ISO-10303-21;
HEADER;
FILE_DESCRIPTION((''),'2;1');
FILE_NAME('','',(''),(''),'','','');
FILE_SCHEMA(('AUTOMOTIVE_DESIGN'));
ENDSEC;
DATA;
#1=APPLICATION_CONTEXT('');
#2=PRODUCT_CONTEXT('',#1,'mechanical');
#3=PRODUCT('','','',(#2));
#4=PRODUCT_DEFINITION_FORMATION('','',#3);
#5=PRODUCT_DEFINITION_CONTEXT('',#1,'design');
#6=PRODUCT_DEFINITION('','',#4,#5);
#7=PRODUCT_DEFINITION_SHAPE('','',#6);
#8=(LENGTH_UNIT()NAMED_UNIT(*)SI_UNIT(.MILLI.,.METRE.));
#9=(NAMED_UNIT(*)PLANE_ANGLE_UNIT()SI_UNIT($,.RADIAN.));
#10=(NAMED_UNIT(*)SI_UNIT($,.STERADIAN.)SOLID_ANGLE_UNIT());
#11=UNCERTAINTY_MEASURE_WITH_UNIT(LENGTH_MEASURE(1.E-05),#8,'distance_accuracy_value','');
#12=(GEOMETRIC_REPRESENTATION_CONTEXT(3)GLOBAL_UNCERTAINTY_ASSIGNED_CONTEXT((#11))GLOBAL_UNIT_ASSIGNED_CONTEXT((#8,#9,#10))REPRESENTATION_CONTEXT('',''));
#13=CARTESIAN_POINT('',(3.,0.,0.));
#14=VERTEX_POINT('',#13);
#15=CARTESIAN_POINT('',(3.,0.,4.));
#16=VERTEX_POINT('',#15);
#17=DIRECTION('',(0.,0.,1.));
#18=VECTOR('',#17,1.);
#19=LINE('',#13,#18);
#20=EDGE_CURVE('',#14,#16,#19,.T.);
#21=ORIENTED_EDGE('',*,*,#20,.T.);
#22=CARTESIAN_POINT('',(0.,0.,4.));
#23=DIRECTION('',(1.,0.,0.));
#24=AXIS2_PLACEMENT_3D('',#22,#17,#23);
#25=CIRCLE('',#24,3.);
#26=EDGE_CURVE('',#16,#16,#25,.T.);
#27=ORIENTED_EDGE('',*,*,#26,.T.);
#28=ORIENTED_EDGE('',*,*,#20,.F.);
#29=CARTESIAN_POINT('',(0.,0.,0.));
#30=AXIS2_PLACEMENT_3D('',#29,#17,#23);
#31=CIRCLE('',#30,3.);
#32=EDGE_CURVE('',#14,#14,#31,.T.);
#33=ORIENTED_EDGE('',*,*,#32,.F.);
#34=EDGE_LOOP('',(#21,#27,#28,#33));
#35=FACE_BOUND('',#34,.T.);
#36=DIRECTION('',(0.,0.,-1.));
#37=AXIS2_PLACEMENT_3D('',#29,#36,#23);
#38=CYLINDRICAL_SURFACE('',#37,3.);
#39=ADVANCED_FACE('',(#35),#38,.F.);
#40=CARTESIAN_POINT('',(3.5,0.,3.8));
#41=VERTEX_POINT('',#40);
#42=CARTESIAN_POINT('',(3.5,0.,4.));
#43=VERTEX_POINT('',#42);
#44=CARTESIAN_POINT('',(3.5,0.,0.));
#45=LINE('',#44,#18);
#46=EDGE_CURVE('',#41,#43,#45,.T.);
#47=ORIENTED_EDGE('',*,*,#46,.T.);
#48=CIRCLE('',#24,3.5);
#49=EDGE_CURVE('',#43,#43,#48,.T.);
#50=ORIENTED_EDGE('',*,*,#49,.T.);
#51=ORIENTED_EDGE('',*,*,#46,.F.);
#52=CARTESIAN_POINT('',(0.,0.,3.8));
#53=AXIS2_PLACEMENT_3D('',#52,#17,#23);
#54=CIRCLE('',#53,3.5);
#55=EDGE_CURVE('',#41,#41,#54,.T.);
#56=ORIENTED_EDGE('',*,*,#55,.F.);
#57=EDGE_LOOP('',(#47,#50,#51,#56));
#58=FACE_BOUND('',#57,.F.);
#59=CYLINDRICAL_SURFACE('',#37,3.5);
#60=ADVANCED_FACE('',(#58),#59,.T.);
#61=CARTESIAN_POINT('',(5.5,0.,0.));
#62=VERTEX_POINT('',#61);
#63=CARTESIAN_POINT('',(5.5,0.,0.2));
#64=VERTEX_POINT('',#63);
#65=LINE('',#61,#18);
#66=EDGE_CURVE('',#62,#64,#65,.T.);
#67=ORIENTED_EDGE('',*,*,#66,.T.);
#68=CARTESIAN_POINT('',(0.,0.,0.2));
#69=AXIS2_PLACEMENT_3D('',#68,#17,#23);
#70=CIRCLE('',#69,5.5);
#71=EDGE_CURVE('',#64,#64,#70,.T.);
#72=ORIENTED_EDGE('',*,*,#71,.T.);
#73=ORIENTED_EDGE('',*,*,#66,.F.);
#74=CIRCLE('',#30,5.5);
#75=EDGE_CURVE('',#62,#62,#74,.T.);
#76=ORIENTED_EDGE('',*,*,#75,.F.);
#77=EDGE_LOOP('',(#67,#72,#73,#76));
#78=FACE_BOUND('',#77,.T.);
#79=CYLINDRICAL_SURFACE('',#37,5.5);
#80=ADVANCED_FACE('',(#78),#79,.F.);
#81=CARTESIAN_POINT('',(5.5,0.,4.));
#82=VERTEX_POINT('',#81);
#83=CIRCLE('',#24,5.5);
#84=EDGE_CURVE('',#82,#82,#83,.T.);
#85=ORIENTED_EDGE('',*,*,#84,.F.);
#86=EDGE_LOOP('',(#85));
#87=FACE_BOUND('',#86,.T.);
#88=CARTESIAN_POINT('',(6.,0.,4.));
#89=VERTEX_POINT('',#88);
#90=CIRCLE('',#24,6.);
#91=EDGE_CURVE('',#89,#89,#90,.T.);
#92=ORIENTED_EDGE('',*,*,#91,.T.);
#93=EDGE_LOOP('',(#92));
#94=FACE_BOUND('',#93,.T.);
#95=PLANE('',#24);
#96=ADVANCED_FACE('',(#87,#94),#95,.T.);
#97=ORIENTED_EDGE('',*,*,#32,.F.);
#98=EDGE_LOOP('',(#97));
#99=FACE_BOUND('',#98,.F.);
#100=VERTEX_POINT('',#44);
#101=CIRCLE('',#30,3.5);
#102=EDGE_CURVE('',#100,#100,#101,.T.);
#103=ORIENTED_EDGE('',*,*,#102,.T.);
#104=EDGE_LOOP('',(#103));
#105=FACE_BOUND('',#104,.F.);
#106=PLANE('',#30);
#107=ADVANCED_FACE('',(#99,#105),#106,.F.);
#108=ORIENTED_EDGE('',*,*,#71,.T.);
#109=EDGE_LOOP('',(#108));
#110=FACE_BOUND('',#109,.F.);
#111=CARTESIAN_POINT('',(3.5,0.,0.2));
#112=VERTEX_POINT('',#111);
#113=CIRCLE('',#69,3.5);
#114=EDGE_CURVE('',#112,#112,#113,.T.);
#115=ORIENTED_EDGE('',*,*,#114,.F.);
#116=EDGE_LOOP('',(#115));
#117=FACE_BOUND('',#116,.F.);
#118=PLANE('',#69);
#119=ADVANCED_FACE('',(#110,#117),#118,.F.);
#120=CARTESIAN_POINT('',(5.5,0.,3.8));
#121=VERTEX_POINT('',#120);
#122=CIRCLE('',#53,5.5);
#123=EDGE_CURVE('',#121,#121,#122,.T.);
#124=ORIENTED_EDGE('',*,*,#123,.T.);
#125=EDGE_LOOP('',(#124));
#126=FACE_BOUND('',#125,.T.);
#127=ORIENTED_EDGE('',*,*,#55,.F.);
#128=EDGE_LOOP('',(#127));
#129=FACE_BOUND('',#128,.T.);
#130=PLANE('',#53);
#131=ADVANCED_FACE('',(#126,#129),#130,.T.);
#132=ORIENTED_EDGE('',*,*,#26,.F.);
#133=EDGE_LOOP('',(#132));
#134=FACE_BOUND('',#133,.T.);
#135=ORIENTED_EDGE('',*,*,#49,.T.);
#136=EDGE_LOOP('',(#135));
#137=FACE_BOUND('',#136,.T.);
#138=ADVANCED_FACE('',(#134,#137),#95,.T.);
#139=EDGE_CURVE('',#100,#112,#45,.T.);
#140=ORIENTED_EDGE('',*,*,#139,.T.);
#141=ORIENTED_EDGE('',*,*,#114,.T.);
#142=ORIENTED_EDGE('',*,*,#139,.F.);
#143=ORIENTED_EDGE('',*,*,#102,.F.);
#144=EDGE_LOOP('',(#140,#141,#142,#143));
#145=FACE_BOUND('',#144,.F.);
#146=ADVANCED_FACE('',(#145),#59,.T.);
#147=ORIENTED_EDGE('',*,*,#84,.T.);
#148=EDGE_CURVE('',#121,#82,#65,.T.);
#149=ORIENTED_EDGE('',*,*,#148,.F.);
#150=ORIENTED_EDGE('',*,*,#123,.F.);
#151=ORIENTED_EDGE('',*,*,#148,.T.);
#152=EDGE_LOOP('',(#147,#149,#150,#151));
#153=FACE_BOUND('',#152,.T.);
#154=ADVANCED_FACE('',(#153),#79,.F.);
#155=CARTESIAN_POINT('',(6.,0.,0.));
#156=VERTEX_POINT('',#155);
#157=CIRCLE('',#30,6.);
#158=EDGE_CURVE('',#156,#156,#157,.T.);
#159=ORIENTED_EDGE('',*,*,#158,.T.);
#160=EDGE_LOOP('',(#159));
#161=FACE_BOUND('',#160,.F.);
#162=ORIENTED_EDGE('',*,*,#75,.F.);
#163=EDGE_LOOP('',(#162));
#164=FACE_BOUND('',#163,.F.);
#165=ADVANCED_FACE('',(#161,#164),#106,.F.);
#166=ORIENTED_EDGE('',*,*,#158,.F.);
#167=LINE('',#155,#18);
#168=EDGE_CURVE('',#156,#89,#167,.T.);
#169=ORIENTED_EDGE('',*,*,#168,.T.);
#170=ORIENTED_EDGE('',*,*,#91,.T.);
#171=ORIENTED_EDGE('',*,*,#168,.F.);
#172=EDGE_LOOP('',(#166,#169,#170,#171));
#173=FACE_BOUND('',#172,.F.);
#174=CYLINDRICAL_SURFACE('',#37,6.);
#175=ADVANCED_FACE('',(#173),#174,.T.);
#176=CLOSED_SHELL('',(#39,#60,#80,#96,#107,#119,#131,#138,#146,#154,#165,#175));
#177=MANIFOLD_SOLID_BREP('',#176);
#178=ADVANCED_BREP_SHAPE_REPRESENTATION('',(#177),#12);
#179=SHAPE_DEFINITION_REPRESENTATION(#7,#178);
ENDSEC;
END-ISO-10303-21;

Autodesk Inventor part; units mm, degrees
ref_plane "YZ Plane" through (0, 0, 0) normal (1, 0, 0) x (0, 1, 0)
ref_plane "XZ Plane" through (0, 0, 0) normal (0, 1, 0) x (-1, 0, 0)
sketch "Sketch1" plane through (0, 0, 0) normal (0, 0, 1) x (1, 0, 0)
  circle A0 centre (0, 0) radius 6
  circle A1 centre (0, 0) radius 3
  circle A2 centre (0, 0) radius 3.5
  circle A3 centre (0, 0) radius 5.5
  dimension "d0" = 12
  dimension "d1" = 6
  dimension "d2" = 0.5
  dimension "d3" = 0.5
extrude "Extrusion1" add sketch "Sketch1" along normal blind 4
ref_plane "Work Plane1" through (0, 0, 0.2) normal (0, 0, 1) x (1, 0, 0)
sketch "Sketch2" plane through (0, 0, 0.2) normal (0, 0, 1) x (1, 0, 0)
  circle A0 centre (0, 0) radius 5.5 projected
  circle A1 centre (0, 0) radius 6 projected
  circle A2 centre (0, 0) radius 3 projected
  circle A3 centre (0, 0) radius 3.5 projected
extrude "Extrusion2" add sketch "Sketch2" along normal blind 3.6 contours A0
properties part number "12x6x4 bearing"
